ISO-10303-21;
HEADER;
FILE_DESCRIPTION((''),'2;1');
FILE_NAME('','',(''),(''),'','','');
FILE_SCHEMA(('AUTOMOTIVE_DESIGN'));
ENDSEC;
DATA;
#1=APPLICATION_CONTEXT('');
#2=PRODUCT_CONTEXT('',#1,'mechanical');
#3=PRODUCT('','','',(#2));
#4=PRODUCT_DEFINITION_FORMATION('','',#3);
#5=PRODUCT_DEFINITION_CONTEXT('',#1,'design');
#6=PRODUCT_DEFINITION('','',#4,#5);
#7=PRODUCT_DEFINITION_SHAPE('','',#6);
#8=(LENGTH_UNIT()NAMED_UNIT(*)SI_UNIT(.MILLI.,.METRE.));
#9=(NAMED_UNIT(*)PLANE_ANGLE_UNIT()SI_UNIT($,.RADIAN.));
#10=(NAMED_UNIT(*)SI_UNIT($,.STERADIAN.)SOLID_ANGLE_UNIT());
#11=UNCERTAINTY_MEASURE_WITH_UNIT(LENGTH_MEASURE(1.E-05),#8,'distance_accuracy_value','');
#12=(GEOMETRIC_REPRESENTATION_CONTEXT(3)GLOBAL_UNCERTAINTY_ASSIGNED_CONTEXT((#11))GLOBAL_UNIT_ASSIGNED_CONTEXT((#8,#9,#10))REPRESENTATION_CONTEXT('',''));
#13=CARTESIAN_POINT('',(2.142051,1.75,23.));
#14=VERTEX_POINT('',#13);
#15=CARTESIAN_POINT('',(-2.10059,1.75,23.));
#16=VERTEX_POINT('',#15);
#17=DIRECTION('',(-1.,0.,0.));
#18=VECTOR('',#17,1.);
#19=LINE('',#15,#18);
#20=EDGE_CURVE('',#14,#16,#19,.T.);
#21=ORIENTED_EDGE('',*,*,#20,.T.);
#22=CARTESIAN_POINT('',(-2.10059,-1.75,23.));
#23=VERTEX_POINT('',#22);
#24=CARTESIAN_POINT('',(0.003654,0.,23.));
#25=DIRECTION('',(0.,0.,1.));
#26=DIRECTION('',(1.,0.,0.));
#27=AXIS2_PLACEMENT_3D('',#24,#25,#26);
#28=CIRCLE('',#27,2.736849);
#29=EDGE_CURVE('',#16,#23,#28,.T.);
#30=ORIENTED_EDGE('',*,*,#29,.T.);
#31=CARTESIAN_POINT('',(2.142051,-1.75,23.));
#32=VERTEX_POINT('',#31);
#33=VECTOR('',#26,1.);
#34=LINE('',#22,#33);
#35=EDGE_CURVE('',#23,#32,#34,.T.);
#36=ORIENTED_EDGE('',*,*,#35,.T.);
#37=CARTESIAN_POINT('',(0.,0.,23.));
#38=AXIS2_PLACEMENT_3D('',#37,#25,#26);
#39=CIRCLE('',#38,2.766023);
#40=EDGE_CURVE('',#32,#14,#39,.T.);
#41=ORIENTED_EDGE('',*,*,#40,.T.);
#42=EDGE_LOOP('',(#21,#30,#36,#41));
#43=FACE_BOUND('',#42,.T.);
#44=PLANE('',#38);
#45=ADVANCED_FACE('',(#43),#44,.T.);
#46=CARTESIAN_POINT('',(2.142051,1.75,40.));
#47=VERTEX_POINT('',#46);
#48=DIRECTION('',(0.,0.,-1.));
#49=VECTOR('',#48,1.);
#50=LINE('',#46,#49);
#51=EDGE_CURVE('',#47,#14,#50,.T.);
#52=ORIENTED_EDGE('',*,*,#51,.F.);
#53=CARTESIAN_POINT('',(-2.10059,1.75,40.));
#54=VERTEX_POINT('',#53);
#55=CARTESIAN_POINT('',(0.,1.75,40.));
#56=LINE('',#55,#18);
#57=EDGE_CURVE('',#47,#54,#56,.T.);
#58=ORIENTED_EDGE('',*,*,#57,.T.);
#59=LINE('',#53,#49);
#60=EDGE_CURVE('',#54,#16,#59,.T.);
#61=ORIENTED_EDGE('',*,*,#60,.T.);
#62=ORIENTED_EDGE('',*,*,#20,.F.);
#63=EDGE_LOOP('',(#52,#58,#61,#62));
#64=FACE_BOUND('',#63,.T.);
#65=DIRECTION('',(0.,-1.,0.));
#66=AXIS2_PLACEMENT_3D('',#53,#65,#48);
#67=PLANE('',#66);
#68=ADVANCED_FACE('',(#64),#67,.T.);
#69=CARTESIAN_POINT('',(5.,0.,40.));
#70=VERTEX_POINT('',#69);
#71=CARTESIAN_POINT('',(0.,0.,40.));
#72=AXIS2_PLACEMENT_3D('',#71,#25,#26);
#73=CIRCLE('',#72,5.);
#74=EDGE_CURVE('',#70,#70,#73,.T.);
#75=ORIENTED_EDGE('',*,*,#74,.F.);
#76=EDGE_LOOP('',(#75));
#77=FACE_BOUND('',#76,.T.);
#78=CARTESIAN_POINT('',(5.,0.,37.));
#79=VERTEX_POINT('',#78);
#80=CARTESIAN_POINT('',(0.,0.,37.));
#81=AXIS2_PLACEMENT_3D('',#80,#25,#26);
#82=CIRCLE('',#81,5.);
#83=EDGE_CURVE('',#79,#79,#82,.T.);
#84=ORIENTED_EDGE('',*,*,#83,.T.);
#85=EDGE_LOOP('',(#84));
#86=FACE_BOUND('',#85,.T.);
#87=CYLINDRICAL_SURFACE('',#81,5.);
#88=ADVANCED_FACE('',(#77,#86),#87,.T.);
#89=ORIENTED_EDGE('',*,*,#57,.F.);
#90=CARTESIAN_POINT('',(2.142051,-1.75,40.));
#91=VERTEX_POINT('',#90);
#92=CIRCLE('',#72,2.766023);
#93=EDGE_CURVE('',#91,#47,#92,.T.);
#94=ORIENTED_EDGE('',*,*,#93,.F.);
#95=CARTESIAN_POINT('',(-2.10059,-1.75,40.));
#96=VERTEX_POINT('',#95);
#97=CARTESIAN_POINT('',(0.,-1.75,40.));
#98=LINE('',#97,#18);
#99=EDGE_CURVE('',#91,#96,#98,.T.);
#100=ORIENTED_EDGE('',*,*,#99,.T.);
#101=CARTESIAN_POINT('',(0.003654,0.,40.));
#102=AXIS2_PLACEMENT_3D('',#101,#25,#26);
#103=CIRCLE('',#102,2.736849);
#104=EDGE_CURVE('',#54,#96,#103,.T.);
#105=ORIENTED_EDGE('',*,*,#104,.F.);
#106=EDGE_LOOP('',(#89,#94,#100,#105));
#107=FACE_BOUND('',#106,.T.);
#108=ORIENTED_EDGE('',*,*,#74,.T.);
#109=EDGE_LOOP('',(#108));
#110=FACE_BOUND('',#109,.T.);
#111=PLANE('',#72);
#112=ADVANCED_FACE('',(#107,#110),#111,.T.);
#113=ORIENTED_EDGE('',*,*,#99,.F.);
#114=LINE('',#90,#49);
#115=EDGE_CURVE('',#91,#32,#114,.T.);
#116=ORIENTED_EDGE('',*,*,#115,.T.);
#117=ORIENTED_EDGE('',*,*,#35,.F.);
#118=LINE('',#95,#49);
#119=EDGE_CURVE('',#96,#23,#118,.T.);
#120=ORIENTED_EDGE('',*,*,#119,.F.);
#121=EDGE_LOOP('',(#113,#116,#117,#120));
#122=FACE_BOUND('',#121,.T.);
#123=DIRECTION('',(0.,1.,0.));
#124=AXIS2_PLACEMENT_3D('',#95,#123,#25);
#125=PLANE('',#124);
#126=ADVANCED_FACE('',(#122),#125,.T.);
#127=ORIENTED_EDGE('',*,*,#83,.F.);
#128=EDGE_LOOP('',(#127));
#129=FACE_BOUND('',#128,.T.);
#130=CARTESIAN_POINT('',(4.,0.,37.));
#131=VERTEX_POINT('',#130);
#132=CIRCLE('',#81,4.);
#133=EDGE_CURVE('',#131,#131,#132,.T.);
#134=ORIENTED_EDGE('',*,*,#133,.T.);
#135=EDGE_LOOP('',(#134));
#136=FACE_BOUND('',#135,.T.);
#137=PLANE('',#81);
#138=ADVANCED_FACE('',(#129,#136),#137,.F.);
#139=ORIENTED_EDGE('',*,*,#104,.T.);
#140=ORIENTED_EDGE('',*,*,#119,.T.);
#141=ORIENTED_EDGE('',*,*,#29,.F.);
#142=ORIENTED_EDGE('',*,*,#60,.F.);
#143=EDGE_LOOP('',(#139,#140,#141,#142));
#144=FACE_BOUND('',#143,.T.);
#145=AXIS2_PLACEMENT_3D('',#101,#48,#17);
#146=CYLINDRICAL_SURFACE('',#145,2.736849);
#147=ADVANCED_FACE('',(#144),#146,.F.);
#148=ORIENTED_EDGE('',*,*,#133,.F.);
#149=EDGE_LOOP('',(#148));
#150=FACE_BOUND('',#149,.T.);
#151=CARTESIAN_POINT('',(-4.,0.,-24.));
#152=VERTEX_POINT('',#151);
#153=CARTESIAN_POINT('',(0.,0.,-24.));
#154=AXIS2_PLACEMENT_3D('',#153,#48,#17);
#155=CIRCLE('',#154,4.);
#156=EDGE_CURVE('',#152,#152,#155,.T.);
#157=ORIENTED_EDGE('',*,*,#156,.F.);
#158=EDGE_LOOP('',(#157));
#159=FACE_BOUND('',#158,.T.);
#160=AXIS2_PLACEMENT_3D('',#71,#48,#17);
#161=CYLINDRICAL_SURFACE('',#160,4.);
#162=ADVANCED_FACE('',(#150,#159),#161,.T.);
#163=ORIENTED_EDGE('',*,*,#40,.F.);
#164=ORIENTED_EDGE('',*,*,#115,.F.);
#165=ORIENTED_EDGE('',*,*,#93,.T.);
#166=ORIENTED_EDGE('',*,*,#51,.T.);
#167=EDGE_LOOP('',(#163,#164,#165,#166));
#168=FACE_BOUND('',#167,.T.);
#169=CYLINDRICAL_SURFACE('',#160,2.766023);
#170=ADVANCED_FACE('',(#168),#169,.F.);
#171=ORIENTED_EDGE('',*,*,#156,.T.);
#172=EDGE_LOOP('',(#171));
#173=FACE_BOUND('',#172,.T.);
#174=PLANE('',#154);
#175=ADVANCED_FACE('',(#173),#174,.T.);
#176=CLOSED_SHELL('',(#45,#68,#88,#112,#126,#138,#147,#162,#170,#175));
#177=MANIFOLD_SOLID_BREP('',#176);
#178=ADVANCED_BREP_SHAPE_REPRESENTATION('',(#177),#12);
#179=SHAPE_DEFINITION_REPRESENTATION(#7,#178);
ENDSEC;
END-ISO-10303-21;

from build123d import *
from build123d.topology import SkipClean

# Parameters (mm, degrees)
SKETCH1_R               = 4
BOSS_EXTRUDE1_DEPTH     = 40
SKETCH2_R               = 5
BOSS_EXTRUDE2_DEPTH     = 3
CUT_EXTRUDE1_DEPTH      = 43
CUT_EXTRUDE1_DEPTH_BACK = 3
SKETCH1_3_R             = 4
BOSS_EXTRUDE3_DEPTH     = 23
BOSS_EXTRUDE4_START     = 24
SKETCH3_R               = 4
BOSS_EXTRUDE4_DEPTH     = 24


with BuildPart() as part:
    # Sketch1 → Boss-Extrude1 (new body)
    with BuildSketch(Plane.XY):
        Circle(SKETCH1_R)
        with BuildLine():
            Line((-2.100590034, 1.75), (2.142050653, 1.75))
            ThreePointArc((2.142050653, 1.75), (2.766022596, 0), (2.142050653, -1.75))
            Line((2.142050653, -1.75), (-2.100590034, -1.75))
            ThreePointArc((-2.100590034, -1.75), (-2.733195007, 0), (-2.100590034, 1.75))
        make_face(mode=Mode.SUBTRACT)
    extrude(amount=BOSS_EXTRUDE1_DEPTH)

    # Sketch2 → Boss-Extrude2 (add)
    with BuildSketch(Plane.XY.offset(40)):
        Circle(SKETCH2_R)
    extrude(amount=-BOSS_EXTRUDE2_DEPTH)

    # Sketch1<2> → Cut-Extrude1 (cut, two sides: drawn at the far end of the back side and taken through both)
    with SkipClean():  # the faces are left unmerged after this step: merging them gives an invalid solid
        with BuildSketch(Plane.XY.offset(-CUT_EXTRUDE1_DEPTH_BACK)):
            with BuildLine():
                Line((2.142050653, 1.75), (-2.100590034, 1.75))
                ThreePointArc((-2.100590034, 1.75), (-2.733195007, 0), (-2.100590034, -1.75))
                Line((-2.100590034, -1.75), (2.142050653, -1.75))
                ThreePointArc((2.142050653, -1.75), (2.766022596, 0), (2.142050653, 1.75))
            make_face()
        extrude(amount=CUT_EXTRUDE1_DEPTH + CUT_EXTRUDE1_DEPTH_BACK, mode=Mode.SUBTRACT)
    add(part.part.scale(1), mode=Mode.REPLACE)  # the faces are merged on a copy

    # Sketch1<3> → Boss-Extrude3 (add)
    with BuildSketch(Plane.XY):
        Circle(SKETCH1_3_R)
    extrude(amount=BOSS_EXTRUDE3_DEPTH)

    # Sketch3 → Boss-Extrude4 (add)
    with BuildSketch(Plane(origin=(0, 0, 0), x_dir=(-1, 0, 0), z_dir=(0, 0, -1)).offset(BOSS_EXTRUDE4_START)):
        Circle(SKETCH3_R)
    extrude(amount=-BOSS_EXTRUDE4_DEPTH)


solid = part.part
